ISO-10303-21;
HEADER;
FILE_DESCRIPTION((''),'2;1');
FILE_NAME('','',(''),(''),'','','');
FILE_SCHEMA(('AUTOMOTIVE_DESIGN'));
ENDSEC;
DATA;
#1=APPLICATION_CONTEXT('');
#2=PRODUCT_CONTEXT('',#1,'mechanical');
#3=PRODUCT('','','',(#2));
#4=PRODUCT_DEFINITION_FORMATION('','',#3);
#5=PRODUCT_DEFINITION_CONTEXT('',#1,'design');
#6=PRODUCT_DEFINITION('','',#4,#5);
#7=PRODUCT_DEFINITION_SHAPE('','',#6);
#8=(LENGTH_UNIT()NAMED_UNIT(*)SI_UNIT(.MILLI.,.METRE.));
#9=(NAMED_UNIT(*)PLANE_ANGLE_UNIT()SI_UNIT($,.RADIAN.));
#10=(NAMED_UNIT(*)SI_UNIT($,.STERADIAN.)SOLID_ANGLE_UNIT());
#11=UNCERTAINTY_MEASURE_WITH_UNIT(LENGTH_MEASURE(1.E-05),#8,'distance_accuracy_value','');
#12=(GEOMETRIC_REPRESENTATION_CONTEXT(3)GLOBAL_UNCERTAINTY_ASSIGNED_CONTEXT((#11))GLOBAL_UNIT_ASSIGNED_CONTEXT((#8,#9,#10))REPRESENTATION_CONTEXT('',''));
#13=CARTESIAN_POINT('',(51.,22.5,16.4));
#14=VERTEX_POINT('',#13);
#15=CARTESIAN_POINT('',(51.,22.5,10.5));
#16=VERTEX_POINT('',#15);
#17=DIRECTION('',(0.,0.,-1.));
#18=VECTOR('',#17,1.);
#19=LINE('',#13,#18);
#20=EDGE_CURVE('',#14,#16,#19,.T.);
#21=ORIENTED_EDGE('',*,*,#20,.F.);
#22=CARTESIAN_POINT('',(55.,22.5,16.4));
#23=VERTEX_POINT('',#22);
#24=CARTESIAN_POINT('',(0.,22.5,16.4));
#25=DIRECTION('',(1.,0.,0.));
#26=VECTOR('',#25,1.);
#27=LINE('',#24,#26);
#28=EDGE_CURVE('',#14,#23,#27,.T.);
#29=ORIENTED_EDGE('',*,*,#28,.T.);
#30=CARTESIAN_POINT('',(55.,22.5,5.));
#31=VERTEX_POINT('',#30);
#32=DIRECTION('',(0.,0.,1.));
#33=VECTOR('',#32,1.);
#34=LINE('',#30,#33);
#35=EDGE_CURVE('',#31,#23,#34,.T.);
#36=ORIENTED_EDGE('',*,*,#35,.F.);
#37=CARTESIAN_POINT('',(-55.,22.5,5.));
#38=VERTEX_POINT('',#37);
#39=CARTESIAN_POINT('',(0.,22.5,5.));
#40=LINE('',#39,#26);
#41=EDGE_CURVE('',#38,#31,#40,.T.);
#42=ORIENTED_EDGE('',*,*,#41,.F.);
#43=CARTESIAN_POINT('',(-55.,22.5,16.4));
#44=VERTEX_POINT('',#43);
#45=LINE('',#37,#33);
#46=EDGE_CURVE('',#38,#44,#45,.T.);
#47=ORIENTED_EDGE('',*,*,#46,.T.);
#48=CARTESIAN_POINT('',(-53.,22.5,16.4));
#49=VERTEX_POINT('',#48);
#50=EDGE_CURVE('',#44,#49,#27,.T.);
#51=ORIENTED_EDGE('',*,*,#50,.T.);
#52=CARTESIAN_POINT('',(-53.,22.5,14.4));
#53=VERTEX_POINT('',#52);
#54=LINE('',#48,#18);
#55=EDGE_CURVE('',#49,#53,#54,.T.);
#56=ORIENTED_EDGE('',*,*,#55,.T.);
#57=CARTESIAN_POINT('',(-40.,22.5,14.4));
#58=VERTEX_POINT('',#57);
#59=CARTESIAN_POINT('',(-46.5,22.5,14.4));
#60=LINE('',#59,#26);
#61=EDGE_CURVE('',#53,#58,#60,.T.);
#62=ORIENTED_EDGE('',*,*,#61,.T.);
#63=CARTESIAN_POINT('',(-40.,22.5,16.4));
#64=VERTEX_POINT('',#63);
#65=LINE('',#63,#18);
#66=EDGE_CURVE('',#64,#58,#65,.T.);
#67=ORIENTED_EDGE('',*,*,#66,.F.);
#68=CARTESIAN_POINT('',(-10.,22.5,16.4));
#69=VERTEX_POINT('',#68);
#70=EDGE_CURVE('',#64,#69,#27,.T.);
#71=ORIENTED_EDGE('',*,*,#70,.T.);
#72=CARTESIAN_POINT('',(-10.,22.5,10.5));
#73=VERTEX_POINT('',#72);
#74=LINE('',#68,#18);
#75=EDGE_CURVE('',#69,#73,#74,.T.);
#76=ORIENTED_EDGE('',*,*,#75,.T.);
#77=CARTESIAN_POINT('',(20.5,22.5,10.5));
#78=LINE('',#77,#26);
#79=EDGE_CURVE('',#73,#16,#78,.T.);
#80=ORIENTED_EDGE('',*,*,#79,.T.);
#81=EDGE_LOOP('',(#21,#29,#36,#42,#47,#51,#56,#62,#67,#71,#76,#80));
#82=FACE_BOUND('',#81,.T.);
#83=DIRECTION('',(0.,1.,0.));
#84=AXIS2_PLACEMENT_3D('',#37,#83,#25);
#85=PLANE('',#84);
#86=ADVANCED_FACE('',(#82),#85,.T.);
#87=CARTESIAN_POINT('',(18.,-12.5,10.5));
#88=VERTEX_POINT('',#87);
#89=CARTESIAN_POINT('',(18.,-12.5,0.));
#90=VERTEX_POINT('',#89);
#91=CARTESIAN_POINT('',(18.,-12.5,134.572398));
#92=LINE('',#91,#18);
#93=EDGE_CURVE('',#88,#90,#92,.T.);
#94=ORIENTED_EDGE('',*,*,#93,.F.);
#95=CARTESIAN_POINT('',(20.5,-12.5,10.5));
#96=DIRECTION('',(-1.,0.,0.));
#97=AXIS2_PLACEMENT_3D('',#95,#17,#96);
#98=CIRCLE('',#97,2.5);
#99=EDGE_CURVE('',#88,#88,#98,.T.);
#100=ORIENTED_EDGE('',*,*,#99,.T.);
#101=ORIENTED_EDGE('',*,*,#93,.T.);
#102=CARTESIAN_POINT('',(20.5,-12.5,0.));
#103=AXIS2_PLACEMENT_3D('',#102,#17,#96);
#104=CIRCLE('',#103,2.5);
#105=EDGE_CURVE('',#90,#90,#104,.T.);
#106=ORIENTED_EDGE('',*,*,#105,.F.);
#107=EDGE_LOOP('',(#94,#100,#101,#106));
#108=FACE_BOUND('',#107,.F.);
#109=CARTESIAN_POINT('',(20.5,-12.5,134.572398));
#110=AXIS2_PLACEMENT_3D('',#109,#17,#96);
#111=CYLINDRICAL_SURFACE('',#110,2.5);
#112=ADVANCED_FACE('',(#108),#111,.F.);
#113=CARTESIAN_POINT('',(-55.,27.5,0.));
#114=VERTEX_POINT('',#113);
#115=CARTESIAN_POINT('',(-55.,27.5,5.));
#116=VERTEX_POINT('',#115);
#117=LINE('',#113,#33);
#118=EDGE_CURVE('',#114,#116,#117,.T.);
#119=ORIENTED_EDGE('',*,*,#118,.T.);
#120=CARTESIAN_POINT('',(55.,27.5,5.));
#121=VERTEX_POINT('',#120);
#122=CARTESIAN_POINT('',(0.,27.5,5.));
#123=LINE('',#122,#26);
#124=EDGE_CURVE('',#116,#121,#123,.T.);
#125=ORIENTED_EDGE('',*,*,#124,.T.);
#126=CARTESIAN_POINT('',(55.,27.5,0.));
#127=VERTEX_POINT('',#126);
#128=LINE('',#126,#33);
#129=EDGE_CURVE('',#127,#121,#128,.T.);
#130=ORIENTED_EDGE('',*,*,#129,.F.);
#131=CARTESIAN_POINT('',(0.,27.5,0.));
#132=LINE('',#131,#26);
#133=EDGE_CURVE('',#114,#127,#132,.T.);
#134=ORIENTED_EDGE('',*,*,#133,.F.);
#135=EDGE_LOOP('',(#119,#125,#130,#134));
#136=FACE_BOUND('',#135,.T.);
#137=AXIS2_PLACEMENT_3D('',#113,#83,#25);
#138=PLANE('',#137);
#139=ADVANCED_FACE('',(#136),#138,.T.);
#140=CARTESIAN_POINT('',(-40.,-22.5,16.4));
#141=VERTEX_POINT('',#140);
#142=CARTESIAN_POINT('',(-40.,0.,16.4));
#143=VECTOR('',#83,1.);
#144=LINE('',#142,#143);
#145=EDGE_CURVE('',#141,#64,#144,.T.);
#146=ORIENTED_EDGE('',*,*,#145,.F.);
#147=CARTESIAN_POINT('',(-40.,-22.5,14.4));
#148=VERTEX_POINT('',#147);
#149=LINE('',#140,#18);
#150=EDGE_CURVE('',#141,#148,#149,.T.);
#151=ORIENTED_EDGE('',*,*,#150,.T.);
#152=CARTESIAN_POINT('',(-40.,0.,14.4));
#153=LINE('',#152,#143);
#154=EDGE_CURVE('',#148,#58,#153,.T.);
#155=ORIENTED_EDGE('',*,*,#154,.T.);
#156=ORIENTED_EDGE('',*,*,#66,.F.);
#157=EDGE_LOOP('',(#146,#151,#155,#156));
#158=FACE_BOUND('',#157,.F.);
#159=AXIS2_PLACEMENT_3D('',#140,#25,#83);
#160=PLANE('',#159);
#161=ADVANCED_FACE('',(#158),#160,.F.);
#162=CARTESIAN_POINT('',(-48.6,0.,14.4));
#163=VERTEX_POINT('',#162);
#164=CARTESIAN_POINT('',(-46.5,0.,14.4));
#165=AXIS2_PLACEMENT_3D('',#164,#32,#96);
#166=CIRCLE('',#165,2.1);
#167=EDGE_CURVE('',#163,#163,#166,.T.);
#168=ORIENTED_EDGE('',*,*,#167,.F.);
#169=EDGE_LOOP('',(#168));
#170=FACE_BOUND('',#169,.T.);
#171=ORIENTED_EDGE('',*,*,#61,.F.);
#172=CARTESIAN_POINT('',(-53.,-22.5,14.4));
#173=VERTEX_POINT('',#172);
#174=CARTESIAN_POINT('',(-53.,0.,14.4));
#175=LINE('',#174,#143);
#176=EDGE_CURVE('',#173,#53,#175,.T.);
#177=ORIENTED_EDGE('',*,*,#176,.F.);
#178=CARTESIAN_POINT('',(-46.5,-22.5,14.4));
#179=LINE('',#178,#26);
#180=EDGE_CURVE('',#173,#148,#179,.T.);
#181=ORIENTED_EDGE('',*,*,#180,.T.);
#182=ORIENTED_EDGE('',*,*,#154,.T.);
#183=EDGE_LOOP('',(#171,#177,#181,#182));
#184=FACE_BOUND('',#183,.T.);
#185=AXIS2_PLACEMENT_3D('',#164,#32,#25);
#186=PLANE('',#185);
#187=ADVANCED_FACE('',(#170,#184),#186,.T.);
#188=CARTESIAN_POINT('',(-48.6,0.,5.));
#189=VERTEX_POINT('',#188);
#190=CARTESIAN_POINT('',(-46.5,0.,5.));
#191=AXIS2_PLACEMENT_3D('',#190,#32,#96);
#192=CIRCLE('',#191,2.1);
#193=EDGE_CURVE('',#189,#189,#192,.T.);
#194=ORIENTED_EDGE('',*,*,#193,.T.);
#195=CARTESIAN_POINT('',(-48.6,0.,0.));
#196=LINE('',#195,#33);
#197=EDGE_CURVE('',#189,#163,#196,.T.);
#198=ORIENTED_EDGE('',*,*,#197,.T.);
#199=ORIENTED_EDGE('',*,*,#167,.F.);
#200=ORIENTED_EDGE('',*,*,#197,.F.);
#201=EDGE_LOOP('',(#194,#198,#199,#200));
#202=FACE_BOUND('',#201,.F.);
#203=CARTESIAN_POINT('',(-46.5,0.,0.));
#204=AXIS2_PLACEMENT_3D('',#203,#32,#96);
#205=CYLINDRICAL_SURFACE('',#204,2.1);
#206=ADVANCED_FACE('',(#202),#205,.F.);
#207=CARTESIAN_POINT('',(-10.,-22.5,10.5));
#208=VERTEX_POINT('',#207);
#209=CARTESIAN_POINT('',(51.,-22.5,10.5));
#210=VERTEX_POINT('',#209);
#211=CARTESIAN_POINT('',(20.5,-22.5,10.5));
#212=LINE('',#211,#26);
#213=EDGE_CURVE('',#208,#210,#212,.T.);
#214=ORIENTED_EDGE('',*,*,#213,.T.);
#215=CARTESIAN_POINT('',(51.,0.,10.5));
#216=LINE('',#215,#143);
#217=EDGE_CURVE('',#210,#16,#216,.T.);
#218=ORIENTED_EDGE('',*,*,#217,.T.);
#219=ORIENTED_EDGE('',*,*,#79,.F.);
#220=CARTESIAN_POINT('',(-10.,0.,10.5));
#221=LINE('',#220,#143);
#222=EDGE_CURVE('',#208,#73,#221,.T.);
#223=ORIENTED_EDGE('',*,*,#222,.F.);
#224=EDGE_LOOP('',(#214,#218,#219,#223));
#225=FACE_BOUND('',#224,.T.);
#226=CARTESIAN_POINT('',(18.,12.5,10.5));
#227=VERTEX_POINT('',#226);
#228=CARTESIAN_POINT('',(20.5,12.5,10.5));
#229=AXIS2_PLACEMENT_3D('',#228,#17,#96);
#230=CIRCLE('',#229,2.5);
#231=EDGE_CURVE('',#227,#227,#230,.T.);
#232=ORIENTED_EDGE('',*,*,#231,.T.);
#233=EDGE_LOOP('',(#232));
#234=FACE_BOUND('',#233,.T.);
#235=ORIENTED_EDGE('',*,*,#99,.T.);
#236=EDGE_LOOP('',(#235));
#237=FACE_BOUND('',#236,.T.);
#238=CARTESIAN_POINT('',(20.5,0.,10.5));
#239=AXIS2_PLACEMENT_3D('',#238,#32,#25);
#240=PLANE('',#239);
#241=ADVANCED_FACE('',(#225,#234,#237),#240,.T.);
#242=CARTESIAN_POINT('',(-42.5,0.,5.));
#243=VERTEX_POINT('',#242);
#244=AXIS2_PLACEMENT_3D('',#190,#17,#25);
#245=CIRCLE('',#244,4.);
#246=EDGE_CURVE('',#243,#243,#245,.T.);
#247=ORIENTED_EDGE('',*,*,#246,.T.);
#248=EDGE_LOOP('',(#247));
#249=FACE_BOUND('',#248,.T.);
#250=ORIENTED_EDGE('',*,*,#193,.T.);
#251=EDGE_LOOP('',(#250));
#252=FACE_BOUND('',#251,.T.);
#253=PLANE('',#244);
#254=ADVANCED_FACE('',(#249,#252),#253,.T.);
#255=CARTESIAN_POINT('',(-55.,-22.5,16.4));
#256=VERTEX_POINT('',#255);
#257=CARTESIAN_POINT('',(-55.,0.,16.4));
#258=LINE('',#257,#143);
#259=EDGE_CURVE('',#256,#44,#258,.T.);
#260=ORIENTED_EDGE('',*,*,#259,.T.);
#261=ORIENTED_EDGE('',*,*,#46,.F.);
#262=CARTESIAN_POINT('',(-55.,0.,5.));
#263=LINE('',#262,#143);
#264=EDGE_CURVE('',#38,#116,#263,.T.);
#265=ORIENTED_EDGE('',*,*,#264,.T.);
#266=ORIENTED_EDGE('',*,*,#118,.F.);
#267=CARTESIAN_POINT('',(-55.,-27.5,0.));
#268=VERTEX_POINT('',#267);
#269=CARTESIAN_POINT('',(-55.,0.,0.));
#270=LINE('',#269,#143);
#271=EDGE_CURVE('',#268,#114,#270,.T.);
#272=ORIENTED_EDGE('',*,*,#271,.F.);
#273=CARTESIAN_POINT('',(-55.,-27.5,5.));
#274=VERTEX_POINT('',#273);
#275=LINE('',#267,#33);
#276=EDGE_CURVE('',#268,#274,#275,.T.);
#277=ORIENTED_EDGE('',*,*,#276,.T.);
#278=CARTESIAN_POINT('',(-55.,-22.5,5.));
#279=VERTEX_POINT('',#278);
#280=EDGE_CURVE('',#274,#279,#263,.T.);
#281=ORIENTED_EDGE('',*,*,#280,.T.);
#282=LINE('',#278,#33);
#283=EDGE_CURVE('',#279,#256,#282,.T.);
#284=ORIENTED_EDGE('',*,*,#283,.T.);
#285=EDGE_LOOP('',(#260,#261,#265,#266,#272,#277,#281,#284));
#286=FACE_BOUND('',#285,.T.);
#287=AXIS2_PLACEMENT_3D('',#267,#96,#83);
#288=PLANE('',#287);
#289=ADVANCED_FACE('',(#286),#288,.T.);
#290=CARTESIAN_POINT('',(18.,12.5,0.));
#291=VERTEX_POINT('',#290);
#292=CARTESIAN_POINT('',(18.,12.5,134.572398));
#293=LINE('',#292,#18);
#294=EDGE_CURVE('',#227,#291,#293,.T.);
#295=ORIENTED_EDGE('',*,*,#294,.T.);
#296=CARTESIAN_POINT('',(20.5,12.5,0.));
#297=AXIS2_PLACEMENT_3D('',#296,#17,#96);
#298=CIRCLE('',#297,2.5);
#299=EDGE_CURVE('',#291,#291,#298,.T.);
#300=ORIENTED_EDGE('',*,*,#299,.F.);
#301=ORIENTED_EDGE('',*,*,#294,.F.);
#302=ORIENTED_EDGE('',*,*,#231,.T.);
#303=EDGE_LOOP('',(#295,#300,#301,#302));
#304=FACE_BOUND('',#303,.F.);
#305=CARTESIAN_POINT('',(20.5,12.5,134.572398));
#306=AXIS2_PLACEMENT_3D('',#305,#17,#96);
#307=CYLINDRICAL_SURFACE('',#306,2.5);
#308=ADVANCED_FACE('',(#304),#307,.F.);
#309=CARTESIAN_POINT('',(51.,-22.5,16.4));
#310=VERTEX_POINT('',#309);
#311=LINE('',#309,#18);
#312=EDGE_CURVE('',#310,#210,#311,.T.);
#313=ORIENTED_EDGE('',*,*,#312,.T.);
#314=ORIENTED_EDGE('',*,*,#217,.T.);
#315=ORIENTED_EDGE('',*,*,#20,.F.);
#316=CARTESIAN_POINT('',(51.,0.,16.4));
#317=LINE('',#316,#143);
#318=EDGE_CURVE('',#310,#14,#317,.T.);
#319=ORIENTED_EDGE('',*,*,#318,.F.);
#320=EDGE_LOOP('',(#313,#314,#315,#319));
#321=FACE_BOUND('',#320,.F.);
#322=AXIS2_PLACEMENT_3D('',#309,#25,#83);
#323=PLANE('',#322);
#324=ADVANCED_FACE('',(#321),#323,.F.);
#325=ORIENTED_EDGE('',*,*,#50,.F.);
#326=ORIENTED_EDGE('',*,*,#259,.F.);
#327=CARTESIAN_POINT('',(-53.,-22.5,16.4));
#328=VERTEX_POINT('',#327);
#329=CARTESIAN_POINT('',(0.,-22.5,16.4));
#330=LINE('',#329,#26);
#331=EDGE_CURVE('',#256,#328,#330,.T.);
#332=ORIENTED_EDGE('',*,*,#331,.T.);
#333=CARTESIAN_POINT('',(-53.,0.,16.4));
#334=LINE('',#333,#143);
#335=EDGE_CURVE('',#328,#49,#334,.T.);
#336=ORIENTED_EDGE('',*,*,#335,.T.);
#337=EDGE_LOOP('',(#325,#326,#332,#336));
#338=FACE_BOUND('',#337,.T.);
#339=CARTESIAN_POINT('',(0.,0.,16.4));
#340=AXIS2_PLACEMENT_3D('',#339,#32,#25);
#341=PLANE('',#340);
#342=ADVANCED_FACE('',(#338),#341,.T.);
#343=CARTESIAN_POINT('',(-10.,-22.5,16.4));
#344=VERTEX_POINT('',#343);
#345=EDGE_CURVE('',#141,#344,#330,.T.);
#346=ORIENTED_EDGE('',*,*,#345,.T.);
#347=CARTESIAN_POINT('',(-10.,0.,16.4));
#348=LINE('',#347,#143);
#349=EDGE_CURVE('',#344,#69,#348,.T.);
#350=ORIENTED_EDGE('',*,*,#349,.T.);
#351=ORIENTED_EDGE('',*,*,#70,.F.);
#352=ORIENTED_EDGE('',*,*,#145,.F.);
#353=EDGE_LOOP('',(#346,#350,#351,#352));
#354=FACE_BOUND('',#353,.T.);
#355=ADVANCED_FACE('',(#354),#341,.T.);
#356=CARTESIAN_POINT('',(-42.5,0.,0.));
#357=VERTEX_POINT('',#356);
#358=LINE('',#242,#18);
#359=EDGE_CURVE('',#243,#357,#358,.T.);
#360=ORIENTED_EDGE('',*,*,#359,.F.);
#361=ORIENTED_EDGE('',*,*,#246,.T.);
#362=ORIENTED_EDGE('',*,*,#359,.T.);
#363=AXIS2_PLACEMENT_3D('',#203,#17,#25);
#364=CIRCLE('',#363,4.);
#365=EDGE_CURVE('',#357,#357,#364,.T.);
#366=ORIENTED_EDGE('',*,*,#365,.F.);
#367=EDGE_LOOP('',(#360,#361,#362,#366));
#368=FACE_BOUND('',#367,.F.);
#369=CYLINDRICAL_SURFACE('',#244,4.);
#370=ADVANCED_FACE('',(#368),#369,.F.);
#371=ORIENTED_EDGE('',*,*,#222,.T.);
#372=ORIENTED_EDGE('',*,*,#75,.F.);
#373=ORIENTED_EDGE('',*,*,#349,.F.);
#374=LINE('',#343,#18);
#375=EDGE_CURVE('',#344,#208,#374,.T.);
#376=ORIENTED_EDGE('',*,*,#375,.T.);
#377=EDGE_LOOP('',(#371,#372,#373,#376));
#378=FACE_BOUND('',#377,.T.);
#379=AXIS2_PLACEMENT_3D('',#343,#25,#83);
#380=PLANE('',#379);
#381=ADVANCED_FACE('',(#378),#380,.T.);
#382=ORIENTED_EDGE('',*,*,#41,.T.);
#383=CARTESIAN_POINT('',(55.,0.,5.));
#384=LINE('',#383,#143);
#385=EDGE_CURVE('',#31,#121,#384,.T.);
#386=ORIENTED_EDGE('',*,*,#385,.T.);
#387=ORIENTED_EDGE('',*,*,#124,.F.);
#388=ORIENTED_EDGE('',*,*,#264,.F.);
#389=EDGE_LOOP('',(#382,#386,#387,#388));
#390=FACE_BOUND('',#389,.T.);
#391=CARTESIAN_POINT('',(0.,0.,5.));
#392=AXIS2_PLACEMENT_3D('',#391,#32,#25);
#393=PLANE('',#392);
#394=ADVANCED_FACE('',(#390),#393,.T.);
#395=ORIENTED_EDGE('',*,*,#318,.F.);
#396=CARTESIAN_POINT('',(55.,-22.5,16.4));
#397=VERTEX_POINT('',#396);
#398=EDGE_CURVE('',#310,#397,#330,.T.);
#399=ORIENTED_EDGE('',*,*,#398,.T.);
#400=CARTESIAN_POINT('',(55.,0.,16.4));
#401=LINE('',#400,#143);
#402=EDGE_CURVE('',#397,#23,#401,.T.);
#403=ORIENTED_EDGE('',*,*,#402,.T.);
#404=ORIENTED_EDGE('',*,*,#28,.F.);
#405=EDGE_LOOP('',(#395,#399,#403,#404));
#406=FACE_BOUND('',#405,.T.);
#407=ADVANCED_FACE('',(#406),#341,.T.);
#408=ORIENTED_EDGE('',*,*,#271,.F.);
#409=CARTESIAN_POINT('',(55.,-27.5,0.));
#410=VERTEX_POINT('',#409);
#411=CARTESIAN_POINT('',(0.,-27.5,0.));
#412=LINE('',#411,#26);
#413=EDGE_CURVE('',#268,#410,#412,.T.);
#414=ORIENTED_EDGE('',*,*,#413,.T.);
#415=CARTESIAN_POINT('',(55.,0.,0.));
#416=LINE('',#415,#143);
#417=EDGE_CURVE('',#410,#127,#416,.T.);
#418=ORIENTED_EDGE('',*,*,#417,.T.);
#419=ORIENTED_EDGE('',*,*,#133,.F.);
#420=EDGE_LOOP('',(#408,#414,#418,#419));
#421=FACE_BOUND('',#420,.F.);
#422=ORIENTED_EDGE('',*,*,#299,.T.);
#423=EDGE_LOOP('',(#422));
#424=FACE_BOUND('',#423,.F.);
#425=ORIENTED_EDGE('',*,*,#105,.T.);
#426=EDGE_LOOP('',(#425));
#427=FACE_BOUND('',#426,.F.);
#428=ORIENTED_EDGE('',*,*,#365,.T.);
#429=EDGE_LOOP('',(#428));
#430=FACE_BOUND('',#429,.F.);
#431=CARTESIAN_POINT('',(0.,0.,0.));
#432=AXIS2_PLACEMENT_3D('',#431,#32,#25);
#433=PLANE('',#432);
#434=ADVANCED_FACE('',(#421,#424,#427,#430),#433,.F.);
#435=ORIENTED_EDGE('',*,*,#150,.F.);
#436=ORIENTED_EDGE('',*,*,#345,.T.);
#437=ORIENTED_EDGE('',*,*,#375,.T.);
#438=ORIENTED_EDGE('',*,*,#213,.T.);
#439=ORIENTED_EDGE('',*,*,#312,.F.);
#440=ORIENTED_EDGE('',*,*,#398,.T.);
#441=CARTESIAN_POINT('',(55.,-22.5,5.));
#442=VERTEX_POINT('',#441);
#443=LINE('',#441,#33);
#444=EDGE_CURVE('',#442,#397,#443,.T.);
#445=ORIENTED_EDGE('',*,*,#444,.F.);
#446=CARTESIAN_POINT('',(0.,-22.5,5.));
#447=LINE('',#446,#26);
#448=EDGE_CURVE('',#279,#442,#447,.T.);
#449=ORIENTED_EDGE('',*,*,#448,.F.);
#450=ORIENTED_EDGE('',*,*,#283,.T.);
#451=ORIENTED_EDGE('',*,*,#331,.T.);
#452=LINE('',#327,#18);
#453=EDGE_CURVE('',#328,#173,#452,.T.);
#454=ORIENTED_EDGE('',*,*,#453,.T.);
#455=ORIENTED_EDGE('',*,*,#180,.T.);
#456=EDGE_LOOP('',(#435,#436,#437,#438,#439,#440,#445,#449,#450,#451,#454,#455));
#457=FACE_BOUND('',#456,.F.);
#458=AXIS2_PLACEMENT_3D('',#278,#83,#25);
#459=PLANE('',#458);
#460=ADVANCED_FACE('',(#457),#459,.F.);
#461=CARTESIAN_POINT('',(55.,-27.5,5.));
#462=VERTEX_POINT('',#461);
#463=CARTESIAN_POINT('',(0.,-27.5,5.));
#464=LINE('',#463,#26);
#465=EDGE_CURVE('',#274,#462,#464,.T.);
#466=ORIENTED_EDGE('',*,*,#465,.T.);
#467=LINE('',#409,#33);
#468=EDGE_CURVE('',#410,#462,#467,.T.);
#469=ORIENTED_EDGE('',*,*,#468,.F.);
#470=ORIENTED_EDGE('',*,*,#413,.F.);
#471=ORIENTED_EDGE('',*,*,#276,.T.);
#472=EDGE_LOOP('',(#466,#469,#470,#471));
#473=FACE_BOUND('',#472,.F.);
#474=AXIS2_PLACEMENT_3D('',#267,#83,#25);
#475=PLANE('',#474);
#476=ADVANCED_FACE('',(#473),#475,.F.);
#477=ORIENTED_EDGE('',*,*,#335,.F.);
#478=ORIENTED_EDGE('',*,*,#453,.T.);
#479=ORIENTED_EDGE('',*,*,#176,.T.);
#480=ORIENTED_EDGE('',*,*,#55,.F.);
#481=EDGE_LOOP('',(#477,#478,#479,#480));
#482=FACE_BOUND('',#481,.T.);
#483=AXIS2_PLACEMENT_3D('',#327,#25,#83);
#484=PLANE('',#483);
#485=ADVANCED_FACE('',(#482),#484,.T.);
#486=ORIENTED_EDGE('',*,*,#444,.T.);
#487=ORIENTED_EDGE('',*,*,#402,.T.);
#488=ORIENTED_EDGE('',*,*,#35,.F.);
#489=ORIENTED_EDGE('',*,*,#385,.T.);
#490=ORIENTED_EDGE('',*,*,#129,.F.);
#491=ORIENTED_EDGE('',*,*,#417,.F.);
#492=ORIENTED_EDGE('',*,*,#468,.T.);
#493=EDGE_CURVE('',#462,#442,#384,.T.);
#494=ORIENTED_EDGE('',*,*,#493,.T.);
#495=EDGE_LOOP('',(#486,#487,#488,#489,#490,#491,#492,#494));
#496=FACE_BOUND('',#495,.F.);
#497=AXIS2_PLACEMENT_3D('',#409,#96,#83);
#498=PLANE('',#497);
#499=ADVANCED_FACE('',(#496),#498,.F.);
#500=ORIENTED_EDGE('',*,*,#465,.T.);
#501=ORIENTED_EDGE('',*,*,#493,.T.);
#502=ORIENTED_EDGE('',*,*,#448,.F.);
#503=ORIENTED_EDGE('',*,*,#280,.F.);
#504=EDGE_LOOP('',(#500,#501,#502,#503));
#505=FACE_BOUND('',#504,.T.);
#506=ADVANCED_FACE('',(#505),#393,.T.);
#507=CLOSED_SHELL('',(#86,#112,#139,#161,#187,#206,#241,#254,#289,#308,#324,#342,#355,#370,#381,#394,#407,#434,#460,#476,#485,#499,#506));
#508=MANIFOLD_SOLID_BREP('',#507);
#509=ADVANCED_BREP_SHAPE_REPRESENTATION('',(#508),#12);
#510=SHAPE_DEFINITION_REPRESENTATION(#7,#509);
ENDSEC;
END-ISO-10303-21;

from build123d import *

# Parameters (mm, degrees)
F0_W           = 110
F0_H           = 55
F1_DEPTH       = 5
F2_W           = 110
F2_H           = 45
F3_DEPTH       = 11.4
F4_W           = 13
F4_H           = 45
F5_DEPTH       = 2
F4_W_2         = 61
F6_DEPTH       = 5.9
F8_D           = 4.2
F8_CBORE_D     = 8
F8_CBORE_DEPTH = 5
F10_D          = 5


with BuildPart() as f1:
    # F0 (on Top) → F1 (new body)
    with BuildSketch(Plane.XY):
        Rectangle(F0_W, F0_H)
    extrude(amount=F1_DEPTH)

    # F2 (on face) → F3 (join)
    with BuildSketch(Plane.XY.offset(5)):
        Rectangle(F2_W, F2_H)
    extrude(amount=F3_DEPTH)

    # F4 (on face) → F5 (cut)
    with BuildSketch(Plane.XY.offset(16.4)):
        with Locations((-46.5, 0)):
            Rectangle(F4_W, F4_H)
    extrude(amount=-F5_DEPTH, mode=Mode.SUBTRACT)

    # F4 (on face) → F6 (cut)
    with BuildSketch(Plane.XY.offset(16.4)):
        with Locations((20.5, 0)):
            Rectangle(F4_W_2, F4_H)
    extrude(amount=-F6_DEPTH, mode=Mode.SUBTRACT)

    # F8 (through all)
    with Locations(Plane(origin=(0, 0, 0), x_dir=(1, 0, 0), z_dir=(0, 0, -1))):
        with Locations((-46.5, 0)):
            CounterBoreHole(F8_D / 2, F8_CBORE_D / 2, F8_CBORE_DEPTH)

    # F10 (through all)
    with Locations(Plane.XY.offset(10.5)):
        with Locations((20.5, 12.5), (20.5, -12.5)):
            Hole(F10_D / 2)


solid = f1.part
